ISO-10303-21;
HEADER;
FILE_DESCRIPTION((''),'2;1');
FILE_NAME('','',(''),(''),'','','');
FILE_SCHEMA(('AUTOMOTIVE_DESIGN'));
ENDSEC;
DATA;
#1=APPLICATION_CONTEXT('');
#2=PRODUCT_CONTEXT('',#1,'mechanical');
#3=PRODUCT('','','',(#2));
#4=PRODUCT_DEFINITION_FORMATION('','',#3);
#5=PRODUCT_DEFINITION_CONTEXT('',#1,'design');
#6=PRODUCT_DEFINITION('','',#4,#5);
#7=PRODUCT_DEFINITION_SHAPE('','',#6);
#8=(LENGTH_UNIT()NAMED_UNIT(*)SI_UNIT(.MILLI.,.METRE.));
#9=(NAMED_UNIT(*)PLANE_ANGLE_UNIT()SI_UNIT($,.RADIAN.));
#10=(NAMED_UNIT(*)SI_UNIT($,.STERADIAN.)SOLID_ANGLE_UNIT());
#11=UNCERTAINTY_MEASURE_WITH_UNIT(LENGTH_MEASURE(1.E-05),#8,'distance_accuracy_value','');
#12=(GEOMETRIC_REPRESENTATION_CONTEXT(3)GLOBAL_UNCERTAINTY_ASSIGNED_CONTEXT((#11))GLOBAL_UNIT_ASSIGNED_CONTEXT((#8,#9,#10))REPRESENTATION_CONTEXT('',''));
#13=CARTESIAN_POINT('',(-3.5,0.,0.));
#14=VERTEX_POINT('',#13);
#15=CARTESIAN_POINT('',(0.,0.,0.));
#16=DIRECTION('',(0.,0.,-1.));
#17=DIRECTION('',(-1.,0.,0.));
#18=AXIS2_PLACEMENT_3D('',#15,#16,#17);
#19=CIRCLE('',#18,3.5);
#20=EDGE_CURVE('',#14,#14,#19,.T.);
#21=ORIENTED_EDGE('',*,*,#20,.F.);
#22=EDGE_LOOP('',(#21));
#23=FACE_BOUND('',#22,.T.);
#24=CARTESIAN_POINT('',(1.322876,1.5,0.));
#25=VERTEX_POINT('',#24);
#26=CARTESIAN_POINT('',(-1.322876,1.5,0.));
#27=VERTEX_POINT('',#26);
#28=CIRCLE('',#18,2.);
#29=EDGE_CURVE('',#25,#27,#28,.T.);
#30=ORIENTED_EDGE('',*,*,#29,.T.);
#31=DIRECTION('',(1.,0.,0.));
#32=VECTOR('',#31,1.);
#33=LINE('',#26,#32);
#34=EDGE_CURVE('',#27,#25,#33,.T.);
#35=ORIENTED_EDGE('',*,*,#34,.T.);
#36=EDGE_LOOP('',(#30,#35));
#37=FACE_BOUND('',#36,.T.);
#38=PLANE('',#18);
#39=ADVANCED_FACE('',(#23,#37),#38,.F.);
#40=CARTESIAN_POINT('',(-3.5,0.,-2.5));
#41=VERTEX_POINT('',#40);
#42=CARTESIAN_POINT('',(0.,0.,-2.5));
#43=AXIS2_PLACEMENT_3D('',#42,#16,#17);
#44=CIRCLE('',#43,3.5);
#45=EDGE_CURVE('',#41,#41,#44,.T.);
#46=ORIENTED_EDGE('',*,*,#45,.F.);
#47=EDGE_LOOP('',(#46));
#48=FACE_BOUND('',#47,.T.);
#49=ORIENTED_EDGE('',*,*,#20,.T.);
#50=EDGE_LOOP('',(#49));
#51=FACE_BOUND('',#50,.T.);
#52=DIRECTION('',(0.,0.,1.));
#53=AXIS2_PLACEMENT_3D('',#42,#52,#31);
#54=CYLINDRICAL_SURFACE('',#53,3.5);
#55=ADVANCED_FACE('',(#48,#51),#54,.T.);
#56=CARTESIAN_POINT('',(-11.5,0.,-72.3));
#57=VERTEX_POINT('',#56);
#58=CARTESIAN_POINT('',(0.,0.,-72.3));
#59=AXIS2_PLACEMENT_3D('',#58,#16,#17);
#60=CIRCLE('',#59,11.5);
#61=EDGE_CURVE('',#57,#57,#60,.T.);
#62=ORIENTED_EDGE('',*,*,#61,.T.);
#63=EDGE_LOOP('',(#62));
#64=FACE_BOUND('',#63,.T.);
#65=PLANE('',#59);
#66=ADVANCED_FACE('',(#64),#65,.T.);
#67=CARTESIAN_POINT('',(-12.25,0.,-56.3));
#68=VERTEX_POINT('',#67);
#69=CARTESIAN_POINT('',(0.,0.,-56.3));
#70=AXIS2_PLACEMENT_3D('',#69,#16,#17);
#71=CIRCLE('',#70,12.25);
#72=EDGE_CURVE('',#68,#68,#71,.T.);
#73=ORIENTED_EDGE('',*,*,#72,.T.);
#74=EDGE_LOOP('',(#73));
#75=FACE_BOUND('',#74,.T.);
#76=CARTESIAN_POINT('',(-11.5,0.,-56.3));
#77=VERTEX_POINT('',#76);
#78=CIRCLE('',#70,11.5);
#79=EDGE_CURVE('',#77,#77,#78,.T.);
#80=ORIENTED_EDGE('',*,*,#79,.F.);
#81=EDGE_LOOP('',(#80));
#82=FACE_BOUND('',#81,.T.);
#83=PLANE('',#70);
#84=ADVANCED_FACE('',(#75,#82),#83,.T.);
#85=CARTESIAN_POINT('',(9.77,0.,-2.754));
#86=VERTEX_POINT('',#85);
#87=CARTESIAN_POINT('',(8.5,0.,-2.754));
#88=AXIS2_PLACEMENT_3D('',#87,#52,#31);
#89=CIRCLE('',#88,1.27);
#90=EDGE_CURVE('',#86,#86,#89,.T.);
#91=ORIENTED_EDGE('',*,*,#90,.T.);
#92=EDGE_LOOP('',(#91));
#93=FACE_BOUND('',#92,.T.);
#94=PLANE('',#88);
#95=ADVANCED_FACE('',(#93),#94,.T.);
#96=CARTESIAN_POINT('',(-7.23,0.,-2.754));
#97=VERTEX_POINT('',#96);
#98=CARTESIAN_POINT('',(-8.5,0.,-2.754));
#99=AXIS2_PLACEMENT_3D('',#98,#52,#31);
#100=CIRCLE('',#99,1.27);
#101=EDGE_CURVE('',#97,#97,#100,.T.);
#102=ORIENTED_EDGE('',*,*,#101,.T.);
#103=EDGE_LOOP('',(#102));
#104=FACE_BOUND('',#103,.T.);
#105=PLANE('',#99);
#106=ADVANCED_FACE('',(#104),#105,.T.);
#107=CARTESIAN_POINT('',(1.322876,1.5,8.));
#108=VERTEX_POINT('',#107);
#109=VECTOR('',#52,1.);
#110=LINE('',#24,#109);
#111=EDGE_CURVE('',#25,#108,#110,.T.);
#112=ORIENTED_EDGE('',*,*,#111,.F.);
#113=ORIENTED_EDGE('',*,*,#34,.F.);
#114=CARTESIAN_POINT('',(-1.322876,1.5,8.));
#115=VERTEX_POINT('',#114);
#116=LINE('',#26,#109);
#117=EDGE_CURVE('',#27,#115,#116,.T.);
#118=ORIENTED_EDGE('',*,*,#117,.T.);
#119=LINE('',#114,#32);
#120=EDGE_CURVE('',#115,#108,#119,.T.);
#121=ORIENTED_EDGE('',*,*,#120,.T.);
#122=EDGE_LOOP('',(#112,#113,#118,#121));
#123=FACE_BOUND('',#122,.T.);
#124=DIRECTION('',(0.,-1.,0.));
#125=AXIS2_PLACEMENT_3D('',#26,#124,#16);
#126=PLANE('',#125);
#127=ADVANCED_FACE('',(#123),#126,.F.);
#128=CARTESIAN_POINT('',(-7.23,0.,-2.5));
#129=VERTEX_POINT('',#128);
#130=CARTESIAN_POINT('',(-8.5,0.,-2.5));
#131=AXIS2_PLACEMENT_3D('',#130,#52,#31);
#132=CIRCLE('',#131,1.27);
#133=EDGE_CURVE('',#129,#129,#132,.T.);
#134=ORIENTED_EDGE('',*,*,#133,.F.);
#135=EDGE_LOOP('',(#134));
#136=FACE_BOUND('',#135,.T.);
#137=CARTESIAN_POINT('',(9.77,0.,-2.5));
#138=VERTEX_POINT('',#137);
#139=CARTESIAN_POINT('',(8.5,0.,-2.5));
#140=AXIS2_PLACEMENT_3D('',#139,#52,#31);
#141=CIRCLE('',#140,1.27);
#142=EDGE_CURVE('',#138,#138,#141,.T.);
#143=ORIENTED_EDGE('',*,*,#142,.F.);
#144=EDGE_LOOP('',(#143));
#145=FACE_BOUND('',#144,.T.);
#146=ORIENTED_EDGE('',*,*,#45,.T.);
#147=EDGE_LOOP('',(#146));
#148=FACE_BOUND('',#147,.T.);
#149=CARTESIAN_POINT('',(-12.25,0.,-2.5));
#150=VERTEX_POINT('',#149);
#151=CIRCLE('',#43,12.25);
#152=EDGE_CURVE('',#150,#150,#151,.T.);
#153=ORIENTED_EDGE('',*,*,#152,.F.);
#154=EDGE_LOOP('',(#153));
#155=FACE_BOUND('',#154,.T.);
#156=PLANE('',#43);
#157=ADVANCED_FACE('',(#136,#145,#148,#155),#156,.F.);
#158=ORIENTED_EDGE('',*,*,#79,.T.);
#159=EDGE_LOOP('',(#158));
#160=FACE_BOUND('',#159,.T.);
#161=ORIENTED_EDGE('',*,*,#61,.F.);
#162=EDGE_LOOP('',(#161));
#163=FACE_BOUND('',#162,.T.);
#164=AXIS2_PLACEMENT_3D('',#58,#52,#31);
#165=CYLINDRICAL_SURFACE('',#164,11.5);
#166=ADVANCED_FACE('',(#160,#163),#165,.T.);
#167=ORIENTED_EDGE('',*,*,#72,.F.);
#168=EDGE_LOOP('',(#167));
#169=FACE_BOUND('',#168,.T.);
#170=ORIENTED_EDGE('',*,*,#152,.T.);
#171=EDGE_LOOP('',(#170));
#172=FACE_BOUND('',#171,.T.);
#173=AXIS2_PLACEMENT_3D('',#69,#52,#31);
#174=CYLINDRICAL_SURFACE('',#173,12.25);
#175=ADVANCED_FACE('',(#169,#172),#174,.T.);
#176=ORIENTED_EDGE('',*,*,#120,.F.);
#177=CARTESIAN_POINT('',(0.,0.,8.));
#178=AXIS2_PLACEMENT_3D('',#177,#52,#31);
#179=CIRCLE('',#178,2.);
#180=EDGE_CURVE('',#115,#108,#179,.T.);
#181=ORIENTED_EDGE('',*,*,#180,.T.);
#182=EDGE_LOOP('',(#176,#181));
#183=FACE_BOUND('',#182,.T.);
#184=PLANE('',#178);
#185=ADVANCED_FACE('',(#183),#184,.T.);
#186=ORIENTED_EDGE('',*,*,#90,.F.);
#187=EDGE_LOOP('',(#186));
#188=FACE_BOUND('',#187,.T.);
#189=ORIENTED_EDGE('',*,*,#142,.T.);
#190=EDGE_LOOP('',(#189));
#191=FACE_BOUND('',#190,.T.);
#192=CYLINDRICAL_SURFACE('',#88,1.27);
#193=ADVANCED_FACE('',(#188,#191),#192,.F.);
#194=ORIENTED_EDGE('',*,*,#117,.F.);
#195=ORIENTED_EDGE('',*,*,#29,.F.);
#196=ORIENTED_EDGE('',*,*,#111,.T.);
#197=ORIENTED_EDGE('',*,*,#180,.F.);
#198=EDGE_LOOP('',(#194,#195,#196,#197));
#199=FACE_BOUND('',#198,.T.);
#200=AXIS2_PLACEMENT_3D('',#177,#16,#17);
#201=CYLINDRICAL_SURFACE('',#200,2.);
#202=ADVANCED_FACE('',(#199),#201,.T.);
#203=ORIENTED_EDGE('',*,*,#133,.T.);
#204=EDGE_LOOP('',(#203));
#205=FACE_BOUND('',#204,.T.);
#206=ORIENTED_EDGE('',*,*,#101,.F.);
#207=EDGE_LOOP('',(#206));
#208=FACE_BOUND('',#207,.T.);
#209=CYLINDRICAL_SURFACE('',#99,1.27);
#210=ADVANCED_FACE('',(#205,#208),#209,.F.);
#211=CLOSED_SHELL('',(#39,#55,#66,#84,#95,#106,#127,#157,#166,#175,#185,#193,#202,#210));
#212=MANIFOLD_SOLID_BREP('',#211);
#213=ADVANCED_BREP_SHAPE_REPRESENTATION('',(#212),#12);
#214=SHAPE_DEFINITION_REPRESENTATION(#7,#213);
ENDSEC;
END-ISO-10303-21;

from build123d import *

# Parameters (mm, degrees)
SKETCH1_R           = 2
BOSS_EXTRUDE1_DEPTH = 8
SKETCH2_R           = 3.5
BOSS_EXTRUDE2_DEPTH = 2.5
SKETCH3_R           = 12.25
BOSS_EXTRUDE3_DEPTH = 53.8
SKETCH4_R           = 1.27
CUT_EXTRUDE1_DEPTH  = 0.254
SKETCH5_R           = 11.5
BOSS_EXTRUDE4_DEPTH = 16
CUT_EXTRUDE2_DEPTH  = 8


with BuildPart() as part:
    # Sketch1 → Boss-Extrude1 (new body)
    with BuildSketch(Plane.XY):
        Circle(SKETCH1_R)
    extrude(amount=BOSS_EXTRUDE1_DEPTH)

    # Sketch2 → Boss-Extrude2 (add)
    with BuildSketch(Plane(origin=(0, 0, 0), x_dir=(-1, 0, 0), z_dir=(0, 0, -1))):
        Circle(SKETCH2_R)
    extrude(amount=BOSS_EXTRUDE2_DEPTH)

    # Sketch3 → Boss-Extrude3 (add)
    with BuildSketch(Plane(origin=(0, 0, -2.5), x_dir=(-1, 0, 0), z_dir=(0, 0, -1))):
        Circle(SKETCH3_R)
    extrude(amount=BOSS_EXTRUDE3_DEPTH)

    # Sketch4 → Cut-Extrude1 (cut)
    with BuildSketch(Plane.XY.offset(-2.5)):
        with Locations((8.5, 0)):
            Circle(SKETCH4_R)
        with Locations((-8.5, 0)):
            Circle(SKETCH4_R)
    extrude(amount=-CUT_EXTRUDE1_DEPTH, mode=Mode.SUBTRACT)

    # Sketch5 → Boss-Extrude4 (add)
    with BuildSketch(Plane(origin=(0, 0, -56.3), x_dir=(-1, 0, 0), z_dir=(0, 0, -1))):
        Circle(SKETCH5_R)
    extrude(amount=BOSS_EXTRUDE4_DEPTH)

    # Sketch6 → Cut-Extrude2 (cut)
    with BuildSketch(Plane.XY.offset(8)):
        with BuildLine():
            Line((-1.322875656, 1.5), (1.322875656, 1.5))
            ThreePointArc((1.322875656, 1.5), (0, 2), (-1.322875656, 1.5))
        make_face()
    extrude(amount=-CUT_EXTRUDE2_DEPTH, mode=Mode.SUBTRACT)


solid = part.part
